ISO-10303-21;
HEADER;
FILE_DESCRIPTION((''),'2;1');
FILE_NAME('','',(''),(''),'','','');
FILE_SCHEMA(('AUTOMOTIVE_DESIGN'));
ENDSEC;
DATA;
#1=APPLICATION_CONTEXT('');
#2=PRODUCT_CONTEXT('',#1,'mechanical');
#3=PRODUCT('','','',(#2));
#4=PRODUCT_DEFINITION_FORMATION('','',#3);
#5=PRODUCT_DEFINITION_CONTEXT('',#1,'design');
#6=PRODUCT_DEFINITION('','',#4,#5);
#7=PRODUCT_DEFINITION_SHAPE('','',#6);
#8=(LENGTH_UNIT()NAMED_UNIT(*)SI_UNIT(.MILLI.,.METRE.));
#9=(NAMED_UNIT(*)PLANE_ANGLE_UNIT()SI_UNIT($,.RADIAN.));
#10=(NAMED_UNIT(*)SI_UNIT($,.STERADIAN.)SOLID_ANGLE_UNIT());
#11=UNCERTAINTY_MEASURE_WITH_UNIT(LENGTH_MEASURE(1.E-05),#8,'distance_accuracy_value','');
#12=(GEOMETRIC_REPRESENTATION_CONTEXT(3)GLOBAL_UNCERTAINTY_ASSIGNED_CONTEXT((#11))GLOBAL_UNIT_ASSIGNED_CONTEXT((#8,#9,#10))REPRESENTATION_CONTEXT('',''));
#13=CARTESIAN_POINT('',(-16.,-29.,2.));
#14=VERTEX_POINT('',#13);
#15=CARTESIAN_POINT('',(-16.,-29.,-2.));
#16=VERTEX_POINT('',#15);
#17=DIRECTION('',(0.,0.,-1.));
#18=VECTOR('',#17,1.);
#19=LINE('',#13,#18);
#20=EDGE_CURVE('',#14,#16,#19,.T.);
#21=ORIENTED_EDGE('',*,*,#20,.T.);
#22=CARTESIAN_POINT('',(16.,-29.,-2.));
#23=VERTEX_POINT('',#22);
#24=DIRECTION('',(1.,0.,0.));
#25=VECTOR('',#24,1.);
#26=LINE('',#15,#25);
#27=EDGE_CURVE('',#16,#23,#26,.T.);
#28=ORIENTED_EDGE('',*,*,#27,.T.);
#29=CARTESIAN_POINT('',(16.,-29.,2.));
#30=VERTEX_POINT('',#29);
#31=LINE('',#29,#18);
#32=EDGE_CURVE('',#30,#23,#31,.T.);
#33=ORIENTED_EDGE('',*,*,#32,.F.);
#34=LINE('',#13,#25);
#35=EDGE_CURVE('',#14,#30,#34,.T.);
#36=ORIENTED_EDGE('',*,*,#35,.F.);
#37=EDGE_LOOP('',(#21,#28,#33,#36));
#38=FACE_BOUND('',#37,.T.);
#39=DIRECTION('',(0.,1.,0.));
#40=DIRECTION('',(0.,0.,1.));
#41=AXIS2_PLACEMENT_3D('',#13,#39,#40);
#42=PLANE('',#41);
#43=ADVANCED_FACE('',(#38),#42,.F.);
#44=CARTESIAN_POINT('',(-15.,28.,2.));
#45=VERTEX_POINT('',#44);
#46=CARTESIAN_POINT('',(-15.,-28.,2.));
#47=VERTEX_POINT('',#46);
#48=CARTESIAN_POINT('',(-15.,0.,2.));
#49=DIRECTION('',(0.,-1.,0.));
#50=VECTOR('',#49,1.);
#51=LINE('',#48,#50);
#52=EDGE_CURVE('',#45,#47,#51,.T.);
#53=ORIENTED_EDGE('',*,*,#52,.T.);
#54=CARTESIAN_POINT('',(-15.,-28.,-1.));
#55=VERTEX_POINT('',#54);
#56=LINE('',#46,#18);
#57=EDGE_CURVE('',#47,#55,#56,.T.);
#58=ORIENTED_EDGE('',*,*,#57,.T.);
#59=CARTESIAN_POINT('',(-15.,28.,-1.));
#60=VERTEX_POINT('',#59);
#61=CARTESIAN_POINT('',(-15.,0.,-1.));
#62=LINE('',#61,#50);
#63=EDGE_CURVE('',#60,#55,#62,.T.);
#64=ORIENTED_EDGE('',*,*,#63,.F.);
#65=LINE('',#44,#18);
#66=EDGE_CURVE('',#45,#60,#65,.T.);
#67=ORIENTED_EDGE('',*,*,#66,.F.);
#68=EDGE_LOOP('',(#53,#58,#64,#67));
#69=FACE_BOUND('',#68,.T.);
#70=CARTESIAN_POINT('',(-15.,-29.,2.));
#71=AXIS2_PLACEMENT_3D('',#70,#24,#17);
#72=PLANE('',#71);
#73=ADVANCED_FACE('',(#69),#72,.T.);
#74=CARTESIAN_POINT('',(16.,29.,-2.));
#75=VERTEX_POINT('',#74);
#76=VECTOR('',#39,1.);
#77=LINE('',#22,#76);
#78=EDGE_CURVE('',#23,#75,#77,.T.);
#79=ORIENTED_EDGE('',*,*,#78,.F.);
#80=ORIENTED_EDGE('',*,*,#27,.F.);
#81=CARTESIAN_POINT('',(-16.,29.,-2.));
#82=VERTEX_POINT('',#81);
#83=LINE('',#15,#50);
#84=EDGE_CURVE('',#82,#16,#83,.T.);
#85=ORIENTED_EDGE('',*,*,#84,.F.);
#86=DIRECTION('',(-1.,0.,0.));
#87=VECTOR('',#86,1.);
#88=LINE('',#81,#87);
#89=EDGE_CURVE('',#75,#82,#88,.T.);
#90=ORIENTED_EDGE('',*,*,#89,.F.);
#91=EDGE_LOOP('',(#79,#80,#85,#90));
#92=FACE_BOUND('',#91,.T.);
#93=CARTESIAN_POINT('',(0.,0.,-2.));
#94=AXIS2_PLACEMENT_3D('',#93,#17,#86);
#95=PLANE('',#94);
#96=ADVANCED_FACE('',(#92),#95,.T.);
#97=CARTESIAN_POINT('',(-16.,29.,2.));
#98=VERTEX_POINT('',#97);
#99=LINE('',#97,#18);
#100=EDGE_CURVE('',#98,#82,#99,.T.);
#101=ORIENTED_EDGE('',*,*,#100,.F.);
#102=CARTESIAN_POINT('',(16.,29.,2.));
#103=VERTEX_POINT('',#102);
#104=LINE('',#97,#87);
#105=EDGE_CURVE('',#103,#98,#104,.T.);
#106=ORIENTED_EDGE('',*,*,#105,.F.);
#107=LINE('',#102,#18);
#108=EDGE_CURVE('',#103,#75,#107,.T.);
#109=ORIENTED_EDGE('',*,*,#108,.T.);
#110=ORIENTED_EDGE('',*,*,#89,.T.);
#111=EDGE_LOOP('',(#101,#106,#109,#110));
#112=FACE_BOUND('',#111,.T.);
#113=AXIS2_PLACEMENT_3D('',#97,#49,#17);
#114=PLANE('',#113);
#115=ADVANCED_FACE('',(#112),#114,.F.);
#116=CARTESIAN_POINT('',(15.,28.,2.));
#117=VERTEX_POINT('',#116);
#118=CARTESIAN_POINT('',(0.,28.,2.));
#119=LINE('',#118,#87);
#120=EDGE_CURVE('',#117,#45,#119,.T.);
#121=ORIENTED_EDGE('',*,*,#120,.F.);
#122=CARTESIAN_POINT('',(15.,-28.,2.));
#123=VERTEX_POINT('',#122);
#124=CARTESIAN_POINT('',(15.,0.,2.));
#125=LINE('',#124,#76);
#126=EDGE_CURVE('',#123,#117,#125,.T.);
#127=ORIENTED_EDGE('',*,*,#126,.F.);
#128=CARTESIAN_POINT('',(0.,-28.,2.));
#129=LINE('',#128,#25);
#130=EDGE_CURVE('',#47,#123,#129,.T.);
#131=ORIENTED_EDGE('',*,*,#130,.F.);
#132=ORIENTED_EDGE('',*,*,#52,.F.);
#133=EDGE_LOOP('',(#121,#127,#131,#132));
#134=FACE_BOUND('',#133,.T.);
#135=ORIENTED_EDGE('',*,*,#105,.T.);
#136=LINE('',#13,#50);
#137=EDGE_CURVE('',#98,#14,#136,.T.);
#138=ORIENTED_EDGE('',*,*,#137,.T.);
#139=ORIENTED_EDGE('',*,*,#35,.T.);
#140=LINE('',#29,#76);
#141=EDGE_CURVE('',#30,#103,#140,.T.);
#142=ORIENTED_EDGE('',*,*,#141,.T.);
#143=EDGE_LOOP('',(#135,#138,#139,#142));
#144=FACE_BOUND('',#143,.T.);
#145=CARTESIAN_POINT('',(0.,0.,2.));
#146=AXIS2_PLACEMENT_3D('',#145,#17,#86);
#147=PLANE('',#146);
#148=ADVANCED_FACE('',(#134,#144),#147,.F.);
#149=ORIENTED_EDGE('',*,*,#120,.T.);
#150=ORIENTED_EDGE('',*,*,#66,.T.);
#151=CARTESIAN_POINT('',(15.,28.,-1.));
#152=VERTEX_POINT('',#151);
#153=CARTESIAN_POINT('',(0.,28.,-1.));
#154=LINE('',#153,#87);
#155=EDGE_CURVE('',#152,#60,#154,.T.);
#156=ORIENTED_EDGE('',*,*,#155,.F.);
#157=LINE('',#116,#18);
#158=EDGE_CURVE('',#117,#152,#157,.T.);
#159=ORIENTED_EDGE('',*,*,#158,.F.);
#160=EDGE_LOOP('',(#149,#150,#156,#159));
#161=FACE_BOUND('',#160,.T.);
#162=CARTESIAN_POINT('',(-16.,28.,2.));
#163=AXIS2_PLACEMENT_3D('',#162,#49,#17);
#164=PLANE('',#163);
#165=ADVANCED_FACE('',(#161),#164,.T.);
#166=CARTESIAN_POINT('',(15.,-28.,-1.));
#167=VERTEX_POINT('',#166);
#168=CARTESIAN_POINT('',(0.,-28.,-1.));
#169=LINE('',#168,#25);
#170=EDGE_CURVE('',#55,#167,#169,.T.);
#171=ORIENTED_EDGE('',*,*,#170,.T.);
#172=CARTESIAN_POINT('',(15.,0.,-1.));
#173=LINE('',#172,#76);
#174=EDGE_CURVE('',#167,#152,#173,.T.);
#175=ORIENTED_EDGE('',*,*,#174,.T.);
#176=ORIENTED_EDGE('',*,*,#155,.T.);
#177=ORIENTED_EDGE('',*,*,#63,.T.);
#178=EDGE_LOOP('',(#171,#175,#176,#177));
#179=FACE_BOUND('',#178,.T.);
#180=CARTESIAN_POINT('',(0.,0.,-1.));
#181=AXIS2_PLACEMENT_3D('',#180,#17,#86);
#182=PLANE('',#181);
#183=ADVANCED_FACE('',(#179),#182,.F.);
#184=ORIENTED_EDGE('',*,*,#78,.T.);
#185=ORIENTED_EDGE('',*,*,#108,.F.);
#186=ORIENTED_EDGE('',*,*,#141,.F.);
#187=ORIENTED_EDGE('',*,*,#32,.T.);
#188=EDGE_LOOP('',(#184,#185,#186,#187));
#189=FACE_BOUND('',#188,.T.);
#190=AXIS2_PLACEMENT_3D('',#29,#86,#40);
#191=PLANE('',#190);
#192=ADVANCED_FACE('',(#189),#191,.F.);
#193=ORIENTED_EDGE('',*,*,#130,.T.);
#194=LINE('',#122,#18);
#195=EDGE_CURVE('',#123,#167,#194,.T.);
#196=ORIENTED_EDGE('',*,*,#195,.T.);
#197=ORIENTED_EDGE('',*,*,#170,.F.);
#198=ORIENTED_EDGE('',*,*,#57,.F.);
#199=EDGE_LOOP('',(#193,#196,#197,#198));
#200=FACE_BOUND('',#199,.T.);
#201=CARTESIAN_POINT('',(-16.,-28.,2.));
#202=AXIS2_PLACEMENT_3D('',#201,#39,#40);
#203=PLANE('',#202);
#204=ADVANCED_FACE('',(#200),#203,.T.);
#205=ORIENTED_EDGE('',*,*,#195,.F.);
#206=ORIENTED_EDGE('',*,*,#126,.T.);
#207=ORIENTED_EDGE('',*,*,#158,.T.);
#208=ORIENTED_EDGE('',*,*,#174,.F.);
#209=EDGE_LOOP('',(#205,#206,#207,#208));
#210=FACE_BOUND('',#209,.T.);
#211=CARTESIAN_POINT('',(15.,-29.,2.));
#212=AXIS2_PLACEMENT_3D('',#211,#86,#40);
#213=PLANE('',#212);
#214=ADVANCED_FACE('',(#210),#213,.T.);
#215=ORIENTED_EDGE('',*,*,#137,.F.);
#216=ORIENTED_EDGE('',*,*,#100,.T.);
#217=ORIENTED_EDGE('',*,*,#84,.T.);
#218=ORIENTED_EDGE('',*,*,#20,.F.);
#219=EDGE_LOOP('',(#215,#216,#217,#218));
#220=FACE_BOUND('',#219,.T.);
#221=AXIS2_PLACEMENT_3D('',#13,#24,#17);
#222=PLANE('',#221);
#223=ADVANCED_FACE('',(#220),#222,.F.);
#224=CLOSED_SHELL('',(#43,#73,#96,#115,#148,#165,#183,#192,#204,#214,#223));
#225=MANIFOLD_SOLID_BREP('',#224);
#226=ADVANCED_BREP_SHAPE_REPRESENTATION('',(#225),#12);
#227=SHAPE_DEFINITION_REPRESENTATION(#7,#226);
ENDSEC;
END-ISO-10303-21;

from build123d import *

# Parameters (mm, degrees)
SKETCH1_W           = 32
SKETCH1_H           = 58
BOSS_EXTRUDE1_DEPTH = 2
SHELL1_T            = -1


with BuildPart() as part:
    # Sketch1 → Boss-Extrude1 (new, symmetric)
    with BuildSketch(Plane.XY):
        Rectangle(SKETCH1_W, SKETCH1_H)
    extrude(amount=BOSS_EXTRUDE1_DEPTH, both=True)

    # Shell1
    shell1_openings = [part.faces().sort_by_distance(p)[0] for p in [
        (0, 0, 2),
    ]]
    offset(amount=SHELL1_T, openings=shell1_openings, kind=Kind.INTERSECTION)


solid = part.part
